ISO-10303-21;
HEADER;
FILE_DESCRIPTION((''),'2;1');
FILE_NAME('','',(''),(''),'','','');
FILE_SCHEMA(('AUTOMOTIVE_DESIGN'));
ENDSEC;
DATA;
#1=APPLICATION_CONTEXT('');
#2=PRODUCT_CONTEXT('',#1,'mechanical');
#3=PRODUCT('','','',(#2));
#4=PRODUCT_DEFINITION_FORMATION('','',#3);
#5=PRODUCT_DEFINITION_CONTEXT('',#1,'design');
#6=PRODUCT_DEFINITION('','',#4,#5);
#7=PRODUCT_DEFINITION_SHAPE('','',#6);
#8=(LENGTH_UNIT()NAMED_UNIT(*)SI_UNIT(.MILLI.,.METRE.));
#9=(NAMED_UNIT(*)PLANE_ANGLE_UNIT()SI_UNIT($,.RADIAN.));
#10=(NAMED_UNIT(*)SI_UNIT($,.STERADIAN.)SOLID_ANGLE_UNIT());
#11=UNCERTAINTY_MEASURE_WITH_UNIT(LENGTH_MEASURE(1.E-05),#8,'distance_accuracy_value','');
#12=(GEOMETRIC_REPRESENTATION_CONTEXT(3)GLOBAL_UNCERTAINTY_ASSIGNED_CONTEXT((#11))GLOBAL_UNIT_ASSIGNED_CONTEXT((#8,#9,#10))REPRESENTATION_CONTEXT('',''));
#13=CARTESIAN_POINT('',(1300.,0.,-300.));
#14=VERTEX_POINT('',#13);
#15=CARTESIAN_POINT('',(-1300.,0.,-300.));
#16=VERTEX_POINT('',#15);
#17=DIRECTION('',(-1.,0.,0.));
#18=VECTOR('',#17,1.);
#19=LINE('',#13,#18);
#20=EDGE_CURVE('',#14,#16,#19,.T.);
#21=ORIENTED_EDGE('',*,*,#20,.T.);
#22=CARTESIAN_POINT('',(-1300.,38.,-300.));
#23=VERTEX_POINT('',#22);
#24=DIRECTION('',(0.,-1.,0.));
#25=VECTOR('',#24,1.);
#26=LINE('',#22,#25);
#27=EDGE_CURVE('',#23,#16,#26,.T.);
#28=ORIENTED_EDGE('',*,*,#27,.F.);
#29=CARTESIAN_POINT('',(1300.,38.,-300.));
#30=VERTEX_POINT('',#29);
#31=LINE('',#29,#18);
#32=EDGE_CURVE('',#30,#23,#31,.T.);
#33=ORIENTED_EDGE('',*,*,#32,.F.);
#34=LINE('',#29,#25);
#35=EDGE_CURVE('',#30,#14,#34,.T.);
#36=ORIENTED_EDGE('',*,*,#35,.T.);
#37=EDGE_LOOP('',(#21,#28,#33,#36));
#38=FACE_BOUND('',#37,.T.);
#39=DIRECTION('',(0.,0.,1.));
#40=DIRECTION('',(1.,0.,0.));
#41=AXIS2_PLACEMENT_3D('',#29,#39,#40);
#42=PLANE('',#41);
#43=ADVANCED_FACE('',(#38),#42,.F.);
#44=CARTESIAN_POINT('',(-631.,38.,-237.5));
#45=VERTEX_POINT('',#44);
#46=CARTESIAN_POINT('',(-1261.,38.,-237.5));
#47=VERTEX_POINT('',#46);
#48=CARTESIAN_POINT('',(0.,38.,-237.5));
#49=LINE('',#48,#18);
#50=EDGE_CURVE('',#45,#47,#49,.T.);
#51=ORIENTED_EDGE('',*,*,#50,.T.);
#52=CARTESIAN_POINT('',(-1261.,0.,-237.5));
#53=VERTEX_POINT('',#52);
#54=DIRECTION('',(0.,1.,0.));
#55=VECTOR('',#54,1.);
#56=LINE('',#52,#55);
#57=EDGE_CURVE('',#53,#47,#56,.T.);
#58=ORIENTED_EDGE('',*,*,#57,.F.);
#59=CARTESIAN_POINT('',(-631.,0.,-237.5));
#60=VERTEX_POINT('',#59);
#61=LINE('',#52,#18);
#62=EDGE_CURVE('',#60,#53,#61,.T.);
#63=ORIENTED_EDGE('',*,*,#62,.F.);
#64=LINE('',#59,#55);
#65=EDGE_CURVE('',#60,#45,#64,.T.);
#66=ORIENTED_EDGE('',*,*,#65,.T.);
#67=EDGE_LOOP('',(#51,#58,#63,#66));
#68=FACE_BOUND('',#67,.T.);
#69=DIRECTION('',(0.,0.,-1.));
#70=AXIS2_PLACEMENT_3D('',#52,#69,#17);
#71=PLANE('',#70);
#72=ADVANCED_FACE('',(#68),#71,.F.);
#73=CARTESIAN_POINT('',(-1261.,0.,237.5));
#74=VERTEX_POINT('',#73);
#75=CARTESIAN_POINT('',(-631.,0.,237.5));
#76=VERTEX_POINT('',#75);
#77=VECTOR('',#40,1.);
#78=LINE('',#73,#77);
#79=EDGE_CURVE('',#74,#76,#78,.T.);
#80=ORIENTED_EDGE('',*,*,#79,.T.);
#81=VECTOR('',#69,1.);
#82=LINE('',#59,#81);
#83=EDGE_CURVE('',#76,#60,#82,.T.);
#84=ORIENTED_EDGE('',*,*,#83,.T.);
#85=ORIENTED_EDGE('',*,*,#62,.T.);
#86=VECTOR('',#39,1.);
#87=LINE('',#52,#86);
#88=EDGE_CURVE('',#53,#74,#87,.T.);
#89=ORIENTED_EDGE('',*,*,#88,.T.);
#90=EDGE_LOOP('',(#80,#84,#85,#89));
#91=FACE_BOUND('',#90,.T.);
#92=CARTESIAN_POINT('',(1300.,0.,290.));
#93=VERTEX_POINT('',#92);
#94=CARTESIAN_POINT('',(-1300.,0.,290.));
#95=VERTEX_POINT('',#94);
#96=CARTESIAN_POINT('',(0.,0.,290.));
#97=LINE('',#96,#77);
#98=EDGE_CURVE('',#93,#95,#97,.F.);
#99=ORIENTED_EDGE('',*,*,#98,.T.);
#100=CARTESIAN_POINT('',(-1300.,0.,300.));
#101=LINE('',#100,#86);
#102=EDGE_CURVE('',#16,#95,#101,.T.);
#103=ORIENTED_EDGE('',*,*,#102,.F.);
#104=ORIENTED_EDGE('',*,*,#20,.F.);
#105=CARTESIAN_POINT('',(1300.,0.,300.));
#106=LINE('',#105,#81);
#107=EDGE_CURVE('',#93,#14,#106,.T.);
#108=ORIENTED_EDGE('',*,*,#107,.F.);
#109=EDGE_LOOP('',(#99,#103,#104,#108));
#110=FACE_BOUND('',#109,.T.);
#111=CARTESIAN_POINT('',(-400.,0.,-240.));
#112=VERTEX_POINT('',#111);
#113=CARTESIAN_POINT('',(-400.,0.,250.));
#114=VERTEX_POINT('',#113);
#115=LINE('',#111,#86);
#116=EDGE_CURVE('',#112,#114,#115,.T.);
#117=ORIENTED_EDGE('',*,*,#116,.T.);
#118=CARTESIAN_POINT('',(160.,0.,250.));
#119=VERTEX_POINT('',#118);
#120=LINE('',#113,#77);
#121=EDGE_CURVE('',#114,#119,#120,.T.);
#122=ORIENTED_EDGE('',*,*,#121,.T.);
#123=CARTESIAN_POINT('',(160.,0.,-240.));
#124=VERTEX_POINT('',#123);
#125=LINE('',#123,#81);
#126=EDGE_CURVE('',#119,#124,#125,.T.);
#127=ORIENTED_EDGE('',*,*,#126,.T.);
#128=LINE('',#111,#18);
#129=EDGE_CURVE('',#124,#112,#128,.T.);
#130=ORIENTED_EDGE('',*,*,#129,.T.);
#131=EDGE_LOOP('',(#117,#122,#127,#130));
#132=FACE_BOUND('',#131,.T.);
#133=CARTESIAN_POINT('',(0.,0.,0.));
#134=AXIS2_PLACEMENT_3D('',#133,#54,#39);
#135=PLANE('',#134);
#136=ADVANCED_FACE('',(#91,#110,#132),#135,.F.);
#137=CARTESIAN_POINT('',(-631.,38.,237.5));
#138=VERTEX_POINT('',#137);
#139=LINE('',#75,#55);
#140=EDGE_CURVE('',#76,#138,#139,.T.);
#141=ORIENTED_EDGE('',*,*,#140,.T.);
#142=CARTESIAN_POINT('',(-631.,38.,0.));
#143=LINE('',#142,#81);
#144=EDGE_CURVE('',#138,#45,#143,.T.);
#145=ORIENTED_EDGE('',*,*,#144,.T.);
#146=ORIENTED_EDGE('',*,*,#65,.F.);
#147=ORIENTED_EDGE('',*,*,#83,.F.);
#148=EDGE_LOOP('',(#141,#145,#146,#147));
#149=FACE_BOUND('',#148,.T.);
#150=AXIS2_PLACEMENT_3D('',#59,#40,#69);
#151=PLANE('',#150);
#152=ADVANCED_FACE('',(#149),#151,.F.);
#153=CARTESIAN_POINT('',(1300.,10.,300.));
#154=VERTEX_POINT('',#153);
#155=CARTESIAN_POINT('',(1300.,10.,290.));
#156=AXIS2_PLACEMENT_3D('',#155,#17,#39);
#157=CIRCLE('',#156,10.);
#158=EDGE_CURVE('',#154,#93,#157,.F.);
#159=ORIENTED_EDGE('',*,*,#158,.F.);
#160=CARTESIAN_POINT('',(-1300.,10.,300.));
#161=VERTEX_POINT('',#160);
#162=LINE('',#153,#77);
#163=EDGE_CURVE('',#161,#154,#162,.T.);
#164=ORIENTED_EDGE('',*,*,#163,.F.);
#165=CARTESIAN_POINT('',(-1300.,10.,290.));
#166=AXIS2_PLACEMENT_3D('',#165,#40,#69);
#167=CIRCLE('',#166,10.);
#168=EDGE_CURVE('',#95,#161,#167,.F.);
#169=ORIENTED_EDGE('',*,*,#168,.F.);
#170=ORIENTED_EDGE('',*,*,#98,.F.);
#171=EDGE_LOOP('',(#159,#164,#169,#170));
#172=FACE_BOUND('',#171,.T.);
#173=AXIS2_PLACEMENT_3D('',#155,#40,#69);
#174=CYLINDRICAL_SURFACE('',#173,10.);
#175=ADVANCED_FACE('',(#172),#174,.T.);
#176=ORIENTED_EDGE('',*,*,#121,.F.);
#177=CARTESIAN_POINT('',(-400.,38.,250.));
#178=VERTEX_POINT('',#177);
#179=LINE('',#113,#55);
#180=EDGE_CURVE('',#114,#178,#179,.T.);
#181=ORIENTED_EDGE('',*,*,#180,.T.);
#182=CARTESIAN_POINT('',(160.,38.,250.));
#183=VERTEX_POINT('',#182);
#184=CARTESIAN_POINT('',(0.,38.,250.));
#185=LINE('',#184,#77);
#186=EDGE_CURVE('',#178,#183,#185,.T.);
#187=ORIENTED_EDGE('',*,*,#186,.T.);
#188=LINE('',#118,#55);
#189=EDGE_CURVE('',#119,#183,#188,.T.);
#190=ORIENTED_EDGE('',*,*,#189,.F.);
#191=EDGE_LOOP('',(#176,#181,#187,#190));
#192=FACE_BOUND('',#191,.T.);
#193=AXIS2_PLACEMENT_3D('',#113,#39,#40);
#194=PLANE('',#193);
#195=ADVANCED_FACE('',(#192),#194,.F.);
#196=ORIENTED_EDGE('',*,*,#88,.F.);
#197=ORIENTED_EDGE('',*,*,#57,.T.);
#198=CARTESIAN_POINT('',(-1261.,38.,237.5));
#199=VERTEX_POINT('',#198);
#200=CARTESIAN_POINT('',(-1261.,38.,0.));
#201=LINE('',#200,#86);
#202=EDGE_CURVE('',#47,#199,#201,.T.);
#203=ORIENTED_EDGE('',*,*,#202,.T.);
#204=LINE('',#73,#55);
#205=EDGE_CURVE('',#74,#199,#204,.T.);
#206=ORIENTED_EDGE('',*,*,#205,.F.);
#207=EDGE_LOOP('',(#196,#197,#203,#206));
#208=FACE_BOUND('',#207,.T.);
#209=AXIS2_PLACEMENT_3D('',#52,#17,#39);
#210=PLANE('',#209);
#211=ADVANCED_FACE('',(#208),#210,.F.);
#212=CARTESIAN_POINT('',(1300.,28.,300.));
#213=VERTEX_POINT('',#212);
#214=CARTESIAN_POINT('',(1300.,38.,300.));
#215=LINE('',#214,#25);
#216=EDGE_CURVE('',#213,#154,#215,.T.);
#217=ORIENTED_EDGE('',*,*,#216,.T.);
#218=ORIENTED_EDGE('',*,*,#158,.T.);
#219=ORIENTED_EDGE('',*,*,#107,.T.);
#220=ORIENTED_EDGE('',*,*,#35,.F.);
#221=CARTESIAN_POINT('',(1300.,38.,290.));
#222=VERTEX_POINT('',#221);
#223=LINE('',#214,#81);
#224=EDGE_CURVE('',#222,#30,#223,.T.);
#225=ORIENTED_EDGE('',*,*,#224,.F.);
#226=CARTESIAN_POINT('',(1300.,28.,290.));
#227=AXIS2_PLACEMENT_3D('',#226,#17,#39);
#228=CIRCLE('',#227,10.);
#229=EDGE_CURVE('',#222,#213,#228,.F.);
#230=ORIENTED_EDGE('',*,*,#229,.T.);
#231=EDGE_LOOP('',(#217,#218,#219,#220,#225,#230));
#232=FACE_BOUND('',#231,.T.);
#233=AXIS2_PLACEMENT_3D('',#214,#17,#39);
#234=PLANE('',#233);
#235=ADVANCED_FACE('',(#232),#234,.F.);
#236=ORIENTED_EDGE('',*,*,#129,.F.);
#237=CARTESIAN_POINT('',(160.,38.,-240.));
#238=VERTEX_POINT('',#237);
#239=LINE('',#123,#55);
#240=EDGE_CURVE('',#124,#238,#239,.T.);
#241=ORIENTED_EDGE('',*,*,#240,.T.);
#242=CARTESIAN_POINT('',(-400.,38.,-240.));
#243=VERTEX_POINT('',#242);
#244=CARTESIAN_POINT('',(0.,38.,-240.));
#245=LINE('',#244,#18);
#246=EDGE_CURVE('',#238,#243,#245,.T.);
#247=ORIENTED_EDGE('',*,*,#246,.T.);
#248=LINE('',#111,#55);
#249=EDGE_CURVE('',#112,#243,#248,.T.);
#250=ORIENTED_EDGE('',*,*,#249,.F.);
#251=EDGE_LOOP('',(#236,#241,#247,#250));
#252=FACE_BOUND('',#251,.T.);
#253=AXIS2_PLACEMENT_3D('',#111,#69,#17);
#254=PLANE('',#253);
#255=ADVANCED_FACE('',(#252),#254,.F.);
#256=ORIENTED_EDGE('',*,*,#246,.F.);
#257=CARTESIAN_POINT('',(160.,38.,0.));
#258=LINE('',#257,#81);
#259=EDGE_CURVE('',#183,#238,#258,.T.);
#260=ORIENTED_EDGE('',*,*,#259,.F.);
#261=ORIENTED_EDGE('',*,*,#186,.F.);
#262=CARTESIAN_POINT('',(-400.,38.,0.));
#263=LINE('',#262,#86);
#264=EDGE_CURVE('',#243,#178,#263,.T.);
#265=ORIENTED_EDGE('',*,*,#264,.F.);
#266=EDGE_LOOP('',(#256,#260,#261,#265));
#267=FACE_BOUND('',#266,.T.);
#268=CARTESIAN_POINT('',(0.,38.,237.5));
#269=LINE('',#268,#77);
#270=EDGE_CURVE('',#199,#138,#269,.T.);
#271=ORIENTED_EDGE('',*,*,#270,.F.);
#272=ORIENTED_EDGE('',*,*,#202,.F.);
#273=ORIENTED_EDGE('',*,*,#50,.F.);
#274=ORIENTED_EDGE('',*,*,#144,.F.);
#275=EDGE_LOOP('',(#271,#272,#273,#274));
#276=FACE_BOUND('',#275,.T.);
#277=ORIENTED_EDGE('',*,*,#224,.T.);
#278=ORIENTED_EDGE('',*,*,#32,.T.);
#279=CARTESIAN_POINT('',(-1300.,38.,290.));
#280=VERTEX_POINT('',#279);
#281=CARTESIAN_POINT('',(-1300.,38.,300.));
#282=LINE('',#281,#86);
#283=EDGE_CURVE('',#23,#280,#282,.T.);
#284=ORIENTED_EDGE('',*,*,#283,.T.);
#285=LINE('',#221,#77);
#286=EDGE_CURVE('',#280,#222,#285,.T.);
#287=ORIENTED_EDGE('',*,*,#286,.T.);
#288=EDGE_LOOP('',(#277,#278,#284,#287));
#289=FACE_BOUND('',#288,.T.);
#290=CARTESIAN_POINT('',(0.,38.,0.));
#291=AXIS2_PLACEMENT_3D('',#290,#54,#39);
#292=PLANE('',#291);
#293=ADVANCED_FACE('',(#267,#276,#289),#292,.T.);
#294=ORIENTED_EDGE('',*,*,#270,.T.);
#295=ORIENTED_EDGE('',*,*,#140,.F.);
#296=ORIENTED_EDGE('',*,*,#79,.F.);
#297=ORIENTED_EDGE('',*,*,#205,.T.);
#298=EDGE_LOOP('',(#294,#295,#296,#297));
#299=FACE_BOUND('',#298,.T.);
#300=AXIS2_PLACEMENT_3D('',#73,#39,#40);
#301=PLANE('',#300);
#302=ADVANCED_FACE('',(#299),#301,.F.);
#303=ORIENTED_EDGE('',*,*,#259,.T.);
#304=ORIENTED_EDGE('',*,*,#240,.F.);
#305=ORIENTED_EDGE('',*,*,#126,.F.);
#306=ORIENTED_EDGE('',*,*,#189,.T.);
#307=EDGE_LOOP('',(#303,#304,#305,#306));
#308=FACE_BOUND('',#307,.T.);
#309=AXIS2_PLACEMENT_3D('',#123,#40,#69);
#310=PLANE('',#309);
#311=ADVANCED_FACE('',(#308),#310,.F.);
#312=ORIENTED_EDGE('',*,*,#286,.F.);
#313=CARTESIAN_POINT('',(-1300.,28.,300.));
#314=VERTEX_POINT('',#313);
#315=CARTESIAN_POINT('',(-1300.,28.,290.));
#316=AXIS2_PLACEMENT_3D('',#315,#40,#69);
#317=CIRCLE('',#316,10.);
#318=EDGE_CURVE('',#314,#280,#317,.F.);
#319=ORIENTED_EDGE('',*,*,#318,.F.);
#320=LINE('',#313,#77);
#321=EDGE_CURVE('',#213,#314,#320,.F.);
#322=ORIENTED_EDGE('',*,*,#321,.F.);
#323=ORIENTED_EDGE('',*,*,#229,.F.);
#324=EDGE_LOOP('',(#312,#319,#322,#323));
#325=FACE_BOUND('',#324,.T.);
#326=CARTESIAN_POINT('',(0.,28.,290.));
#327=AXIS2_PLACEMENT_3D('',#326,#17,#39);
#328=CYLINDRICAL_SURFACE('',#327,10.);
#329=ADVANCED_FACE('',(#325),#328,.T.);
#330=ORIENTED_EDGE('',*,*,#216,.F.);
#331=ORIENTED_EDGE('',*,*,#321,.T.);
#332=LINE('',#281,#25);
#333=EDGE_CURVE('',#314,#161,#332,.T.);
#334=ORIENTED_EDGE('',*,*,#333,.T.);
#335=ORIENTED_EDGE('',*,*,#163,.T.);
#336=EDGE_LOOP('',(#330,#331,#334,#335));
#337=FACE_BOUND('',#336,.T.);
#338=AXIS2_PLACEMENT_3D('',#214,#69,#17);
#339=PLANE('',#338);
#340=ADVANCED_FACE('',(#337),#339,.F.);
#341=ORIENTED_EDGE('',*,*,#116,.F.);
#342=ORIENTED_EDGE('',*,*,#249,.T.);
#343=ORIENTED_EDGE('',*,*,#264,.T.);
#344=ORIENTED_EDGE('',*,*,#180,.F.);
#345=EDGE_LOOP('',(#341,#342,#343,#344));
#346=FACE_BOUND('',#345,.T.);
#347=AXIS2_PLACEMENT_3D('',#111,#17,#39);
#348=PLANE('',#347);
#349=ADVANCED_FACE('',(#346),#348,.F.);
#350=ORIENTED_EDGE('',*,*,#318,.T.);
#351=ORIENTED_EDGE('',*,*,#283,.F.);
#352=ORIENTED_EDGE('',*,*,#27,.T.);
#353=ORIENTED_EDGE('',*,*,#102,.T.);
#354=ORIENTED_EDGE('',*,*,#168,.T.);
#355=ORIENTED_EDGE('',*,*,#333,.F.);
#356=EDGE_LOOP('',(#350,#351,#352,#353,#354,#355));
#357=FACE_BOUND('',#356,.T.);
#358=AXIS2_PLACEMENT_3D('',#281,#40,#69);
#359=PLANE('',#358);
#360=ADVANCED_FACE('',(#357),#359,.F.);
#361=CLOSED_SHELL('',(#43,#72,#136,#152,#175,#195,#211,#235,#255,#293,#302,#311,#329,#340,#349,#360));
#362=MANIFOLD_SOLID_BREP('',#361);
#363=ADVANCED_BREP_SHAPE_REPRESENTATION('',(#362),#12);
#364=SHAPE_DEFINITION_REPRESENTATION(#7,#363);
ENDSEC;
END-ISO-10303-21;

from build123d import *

# Parameters (mm, degrees)
SKETCH_1_W               = 2600
SKETCH_1_H               = 600
EXTRUDE_1_DEPTH          = 38
FILLET_1_R               = 10
SKETCH_2_W               = 560
SKETCH_2_H               = 490
SKETCH_2_W_2             = 630
SKETCH_2_H_2             = 475
CUT_EXTRUDE_1_DEPTH      = 1
CUT_EXTRUDE_1_DEPTH_BACK = 39


with BuildPart() as part:
    # Эскиз1 → Бобышка-Вытянуть1 (new body)
    with BuildSketch(Plane(origin=(0, 0, 0), x_dir=(1, 0, 0), z_dir=(0, 1, 0))):
        Rectangle(SKETCH_1_W, SKETCH_1_H)
    extrude(amount=EXTRUDE_1_DEPTH)

    # Скругление1
    fillet_1_edges = [part.edges().sort_by_distance(p)[0] for p in [
        (0, 0, 300),
        (0, 38, 300),
    ]]
    fillet(fillet_1_edges, radius=FILLET_1_R)

    # Эскиз2 → Вырез-Вытянуть1 (cut, two sides)
    with BuildSketch(Plane(origin=(0, 38, 0), x_dir=(1, 0, 0), z_dir=(0, 1, 0))) as cut_extrude_1_sk:
        with Locations((-120, -5)):
            Rectangle(SKETCH_2_W, SKETCH_2_H)
        with Locations((-946, 0)):
            Rectangle(SKETCH_2_W_2, SKETCH_2_H_2)
    extrude(amount=CUT_EXTRUDE_1_DEPTH, mode=Mode.SUBTRACT)
    extrude(cut_extrude_1_sk.sketch, amount=-CUT_EXTRUDE_1_DEPTH_BACK, mode=Mode.SUBTRACT)


solid = part.part
